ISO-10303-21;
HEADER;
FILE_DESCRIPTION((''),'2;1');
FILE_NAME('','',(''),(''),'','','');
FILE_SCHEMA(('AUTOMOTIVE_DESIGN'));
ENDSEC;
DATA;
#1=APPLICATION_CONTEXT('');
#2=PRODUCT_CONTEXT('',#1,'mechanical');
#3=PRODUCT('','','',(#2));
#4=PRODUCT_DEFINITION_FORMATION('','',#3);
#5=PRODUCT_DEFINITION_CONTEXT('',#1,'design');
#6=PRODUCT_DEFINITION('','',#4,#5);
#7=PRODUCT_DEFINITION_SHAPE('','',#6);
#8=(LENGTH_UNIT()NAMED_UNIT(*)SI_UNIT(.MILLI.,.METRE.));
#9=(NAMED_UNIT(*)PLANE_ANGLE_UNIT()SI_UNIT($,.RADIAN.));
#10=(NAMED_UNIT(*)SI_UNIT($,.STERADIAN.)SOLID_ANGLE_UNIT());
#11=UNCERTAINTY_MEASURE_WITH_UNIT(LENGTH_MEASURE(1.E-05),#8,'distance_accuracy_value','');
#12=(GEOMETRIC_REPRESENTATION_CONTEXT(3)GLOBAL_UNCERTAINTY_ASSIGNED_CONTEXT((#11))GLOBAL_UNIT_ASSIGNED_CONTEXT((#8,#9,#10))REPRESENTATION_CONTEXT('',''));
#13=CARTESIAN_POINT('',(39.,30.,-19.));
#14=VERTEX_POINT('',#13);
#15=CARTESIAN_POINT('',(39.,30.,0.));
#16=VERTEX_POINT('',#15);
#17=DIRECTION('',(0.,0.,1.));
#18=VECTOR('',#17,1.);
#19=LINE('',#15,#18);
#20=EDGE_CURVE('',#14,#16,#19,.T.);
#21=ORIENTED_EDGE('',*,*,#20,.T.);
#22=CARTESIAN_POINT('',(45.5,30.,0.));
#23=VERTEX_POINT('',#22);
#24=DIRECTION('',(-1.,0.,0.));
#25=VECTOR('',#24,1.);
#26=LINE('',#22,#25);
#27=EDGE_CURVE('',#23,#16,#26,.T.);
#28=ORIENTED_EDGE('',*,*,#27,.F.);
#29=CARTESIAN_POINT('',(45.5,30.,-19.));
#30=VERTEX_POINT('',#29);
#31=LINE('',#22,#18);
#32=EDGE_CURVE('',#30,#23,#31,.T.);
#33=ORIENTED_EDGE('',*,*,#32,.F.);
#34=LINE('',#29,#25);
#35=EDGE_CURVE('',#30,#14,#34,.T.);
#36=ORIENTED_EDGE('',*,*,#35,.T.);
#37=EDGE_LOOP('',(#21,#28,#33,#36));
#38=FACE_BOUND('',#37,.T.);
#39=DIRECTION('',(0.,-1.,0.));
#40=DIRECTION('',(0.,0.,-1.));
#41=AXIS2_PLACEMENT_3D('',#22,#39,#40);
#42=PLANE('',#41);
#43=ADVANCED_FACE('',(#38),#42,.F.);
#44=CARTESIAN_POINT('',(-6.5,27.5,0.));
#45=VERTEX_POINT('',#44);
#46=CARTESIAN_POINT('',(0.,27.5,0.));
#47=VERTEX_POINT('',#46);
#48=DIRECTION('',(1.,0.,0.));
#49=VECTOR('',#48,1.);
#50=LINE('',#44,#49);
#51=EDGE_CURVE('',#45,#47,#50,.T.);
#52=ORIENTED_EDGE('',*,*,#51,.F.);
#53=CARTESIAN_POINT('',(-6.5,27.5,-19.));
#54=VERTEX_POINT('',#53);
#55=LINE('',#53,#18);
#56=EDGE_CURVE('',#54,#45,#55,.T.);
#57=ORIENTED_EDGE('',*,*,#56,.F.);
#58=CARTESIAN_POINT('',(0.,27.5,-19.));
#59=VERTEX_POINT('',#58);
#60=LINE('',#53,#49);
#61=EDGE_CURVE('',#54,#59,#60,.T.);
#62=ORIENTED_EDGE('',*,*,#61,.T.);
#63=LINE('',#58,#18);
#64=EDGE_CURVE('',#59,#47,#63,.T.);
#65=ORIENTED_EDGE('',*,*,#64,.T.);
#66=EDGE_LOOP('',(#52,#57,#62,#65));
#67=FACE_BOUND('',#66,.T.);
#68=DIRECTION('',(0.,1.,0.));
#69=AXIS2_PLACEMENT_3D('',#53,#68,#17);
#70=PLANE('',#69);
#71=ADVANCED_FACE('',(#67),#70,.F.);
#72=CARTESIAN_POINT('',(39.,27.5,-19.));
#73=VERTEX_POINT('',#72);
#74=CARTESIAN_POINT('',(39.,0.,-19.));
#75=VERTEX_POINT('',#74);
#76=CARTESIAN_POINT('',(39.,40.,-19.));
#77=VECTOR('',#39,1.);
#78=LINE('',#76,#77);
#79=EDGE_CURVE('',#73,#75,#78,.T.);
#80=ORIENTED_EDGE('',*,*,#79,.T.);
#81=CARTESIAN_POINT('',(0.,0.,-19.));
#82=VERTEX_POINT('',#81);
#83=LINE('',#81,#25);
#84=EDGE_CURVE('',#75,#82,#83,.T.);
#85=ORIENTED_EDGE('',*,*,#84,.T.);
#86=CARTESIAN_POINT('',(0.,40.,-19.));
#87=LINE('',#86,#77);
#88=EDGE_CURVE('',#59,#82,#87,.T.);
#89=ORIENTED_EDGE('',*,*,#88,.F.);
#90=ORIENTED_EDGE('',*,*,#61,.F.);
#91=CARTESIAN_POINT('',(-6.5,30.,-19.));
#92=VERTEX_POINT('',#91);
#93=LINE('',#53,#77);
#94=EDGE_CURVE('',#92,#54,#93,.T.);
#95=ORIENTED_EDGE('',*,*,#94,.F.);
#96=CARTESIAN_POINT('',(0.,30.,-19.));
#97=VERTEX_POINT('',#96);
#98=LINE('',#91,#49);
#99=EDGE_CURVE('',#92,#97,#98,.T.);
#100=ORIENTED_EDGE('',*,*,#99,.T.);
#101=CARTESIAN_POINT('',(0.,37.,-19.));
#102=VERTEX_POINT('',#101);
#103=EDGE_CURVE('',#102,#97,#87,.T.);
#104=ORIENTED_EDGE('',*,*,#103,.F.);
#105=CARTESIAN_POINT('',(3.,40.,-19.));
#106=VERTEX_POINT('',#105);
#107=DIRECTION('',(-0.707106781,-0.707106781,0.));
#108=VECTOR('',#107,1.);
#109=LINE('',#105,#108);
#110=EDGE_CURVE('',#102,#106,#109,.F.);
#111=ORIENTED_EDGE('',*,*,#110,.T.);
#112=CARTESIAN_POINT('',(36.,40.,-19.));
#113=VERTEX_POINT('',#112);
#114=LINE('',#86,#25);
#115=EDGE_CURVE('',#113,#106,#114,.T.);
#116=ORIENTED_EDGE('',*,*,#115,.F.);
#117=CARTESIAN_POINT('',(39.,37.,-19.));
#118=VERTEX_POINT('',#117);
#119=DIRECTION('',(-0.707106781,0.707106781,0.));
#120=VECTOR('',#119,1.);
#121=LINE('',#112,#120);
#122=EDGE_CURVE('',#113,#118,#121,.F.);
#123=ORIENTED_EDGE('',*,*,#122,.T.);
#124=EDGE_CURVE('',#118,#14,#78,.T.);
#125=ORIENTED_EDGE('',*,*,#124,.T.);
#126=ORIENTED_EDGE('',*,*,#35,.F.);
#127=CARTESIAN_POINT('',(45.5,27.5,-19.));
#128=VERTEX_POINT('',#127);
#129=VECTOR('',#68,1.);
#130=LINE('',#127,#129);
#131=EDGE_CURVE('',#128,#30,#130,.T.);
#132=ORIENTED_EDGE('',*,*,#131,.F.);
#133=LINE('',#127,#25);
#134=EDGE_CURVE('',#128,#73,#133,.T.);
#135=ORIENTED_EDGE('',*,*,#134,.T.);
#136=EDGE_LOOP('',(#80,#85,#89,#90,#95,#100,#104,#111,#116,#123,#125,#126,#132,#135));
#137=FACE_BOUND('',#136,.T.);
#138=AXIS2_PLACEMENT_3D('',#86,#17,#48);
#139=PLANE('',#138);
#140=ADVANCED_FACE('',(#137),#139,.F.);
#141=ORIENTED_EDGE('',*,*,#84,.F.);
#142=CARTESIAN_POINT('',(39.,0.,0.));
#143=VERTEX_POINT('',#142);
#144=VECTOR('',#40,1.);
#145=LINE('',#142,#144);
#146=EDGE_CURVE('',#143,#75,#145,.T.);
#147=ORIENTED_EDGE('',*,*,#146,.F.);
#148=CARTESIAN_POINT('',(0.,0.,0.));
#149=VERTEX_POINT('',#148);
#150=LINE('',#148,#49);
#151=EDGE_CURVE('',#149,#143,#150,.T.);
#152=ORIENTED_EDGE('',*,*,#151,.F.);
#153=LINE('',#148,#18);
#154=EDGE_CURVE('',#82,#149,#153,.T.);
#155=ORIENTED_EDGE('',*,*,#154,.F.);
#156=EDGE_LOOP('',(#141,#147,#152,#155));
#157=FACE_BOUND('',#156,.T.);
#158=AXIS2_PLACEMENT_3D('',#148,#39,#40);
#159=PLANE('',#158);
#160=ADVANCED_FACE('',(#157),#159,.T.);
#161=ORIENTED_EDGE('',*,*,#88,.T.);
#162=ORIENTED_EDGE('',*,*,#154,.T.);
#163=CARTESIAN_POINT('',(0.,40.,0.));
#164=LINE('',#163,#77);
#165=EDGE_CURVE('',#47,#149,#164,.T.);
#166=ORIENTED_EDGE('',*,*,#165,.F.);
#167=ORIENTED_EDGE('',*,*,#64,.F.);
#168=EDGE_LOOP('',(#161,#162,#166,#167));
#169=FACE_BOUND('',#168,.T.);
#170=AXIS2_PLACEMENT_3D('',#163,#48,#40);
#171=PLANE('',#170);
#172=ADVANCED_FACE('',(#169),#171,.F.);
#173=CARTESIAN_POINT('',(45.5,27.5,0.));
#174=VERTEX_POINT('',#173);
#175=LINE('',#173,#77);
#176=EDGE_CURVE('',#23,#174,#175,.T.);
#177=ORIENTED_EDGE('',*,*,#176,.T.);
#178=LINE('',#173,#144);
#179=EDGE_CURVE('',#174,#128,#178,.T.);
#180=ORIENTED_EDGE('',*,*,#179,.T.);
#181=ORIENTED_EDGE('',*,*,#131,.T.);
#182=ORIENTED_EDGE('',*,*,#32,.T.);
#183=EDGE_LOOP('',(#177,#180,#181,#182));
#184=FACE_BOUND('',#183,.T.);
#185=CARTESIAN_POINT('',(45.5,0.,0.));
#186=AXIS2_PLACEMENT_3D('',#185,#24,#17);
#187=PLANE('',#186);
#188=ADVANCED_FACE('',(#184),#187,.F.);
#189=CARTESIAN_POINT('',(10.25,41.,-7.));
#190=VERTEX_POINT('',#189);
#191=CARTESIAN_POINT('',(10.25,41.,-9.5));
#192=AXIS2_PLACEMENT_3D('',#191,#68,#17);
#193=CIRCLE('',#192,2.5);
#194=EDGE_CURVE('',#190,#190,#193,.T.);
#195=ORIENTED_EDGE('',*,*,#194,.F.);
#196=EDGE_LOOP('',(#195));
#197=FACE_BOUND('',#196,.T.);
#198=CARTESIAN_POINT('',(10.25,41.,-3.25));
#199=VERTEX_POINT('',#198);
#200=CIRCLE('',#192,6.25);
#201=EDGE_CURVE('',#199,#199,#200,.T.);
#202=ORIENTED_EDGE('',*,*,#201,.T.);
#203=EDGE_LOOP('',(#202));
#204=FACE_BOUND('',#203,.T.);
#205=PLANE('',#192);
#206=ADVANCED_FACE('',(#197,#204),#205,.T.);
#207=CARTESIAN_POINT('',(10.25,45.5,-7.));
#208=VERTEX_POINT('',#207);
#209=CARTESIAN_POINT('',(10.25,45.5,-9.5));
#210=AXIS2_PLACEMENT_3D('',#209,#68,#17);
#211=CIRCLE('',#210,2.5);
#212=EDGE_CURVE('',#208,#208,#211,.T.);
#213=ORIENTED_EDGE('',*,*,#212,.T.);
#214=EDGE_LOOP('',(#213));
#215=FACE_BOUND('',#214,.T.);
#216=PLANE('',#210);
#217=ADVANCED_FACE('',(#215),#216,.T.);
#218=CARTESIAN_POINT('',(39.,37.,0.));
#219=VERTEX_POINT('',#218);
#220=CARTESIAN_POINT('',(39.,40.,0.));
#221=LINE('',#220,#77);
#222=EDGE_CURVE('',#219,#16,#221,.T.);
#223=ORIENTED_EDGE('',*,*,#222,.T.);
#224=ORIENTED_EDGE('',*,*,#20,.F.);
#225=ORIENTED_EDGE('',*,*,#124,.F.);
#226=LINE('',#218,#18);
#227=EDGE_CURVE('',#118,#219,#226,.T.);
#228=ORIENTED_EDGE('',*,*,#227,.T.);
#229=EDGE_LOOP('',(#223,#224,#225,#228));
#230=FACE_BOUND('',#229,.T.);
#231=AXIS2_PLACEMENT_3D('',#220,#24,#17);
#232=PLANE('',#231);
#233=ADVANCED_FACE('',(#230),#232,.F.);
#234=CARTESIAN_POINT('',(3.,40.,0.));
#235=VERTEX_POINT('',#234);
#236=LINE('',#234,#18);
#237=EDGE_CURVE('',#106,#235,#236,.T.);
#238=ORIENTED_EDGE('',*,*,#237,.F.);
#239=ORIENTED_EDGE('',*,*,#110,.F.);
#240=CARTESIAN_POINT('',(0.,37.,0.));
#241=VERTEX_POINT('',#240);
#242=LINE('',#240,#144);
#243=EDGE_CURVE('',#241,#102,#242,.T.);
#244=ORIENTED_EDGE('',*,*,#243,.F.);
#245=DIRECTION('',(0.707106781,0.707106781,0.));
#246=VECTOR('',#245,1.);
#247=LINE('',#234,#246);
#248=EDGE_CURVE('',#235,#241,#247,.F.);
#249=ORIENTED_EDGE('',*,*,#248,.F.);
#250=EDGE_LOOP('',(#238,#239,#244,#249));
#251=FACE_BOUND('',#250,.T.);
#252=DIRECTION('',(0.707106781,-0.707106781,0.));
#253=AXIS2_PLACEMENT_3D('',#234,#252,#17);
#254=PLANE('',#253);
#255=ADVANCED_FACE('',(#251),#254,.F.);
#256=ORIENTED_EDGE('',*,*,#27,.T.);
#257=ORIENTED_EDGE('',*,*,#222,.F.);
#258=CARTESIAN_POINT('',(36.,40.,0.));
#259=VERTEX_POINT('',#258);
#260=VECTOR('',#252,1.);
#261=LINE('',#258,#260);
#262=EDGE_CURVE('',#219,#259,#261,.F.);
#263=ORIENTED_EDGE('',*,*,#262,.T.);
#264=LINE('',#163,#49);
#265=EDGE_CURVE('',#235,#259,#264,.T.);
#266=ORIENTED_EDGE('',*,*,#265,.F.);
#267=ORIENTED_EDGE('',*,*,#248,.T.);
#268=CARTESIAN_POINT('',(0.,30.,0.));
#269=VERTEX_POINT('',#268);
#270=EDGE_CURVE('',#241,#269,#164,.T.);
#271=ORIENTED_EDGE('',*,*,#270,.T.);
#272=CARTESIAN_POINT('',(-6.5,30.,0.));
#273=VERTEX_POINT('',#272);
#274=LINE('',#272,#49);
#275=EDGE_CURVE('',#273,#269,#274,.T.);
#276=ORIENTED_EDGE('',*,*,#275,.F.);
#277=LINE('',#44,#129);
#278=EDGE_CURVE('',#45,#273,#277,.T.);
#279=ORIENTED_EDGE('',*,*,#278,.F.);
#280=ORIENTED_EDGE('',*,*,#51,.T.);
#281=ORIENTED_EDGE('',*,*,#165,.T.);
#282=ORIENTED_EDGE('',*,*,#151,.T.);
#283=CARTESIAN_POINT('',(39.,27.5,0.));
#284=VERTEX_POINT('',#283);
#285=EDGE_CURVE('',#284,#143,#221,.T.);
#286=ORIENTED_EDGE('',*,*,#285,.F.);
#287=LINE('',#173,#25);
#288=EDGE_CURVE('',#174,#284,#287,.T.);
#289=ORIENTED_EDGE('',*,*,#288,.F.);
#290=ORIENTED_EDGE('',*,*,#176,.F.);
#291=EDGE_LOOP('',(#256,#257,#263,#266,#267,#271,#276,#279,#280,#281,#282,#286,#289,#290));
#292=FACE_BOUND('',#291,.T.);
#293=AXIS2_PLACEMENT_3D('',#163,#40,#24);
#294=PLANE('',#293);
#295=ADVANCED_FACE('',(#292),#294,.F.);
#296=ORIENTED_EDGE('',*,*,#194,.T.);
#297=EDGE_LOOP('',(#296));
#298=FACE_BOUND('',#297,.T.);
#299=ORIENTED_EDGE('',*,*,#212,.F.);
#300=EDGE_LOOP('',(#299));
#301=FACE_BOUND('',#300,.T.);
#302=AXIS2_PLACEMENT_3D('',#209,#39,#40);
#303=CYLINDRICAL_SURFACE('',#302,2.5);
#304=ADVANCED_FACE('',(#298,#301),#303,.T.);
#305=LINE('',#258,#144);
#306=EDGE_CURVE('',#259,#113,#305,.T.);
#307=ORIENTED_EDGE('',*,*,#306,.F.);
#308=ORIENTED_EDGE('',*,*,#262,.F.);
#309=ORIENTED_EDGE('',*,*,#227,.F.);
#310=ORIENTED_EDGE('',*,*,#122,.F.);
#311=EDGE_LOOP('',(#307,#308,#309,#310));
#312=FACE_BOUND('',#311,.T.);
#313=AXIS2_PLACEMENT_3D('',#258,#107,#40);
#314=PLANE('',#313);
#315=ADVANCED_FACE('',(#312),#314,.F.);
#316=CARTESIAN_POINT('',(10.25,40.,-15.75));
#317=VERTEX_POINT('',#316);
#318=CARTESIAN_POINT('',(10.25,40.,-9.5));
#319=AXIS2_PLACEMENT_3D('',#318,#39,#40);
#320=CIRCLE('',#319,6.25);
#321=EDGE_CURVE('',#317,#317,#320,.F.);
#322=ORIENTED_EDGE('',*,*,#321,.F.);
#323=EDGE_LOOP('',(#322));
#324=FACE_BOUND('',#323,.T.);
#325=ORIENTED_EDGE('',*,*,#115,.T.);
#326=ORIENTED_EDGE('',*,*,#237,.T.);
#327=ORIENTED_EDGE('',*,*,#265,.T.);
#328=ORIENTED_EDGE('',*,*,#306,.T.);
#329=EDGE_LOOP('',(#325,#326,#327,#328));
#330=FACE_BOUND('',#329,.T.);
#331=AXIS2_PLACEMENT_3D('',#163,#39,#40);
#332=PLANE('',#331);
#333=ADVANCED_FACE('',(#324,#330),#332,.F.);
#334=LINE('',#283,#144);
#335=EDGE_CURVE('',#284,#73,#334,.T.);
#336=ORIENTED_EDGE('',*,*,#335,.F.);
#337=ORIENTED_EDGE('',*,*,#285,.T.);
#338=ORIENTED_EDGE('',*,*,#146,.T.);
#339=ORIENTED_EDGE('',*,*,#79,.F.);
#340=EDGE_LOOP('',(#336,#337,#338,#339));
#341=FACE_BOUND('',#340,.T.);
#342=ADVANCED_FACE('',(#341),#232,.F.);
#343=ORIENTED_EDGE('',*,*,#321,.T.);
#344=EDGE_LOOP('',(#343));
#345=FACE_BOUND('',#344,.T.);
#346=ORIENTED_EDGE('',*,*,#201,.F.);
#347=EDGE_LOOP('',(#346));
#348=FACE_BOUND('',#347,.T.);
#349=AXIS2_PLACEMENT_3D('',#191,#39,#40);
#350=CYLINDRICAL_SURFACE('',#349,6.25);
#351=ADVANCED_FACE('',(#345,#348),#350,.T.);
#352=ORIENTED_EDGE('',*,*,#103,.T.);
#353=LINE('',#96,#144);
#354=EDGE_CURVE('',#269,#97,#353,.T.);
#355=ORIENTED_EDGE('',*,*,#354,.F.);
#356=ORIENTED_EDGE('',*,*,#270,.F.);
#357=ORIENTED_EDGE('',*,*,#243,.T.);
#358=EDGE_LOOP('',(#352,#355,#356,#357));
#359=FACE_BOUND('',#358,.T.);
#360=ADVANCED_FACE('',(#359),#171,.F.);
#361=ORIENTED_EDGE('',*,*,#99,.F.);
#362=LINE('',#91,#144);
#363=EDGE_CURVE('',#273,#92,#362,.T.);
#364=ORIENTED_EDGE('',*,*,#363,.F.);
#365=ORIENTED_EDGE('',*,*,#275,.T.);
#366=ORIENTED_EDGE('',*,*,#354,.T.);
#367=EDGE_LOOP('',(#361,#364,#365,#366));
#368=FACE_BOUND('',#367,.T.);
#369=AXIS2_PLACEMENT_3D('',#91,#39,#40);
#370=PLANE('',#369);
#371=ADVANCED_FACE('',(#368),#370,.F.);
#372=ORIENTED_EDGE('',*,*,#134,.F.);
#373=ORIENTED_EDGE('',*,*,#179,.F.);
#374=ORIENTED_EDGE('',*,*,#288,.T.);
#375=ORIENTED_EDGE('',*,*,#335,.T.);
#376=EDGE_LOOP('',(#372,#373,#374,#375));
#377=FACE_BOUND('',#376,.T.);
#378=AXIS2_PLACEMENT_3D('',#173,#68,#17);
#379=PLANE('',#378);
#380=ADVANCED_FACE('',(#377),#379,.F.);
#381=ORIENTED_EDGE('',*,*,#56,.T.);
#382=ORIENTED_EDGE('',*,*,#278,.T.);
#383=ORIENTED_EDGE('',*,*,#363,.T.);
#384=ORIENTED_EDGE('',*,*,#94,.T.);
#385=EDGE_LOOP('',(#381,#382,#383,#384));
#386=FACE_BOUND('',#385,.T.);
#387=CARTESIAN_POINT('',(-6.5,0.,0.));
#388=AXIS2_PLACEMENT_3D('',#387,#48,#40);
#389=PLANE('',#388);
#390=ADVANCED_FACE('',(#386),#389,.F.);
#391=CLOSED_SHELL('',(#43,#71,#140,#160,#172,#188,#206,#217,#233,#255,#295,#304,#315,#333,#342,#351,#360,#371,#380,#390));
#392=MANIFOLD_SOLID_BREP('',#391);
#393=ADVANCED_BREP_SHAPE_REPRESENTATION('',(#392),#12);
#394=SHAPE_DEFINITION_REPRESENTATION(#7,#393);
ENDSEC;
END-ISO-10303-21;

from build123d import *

# Parameters (mm, degrees)
SKETCH1_W           = 39
SKETCH1_H           = 19
BOSS_EXTRUDE1_DEPTH = 40
SKETCH2_W           = 19
SKETCH2_H           = 2.5
BOSS_EXTRUDE2_DEPTH = 6.5
SKETCH3_W           = 19
SKETCH3_H           = 2.5
BOSS_EXTRUDE3_DEPTH = 6.5
SKETCH4_R           = 6.25
BOSS_EXTRUDE4_DEPTH = 1
SKETCH5_R           = 2.5
BOSS_EXTRUDE5_DEPTH = 4.5
CHAMFER1_SIZE       = 3
CHAMFER2_SIZE       = 3


with BuildPart() as part:
    # Sketch1 → Boss-Extrude1 (new body)
    with BuildSketch(Plane(origin=(0, 0, 0), x_dir=(1, 0, 0), z_dir=(0, 1, 0))):
        with Locations((19.5, 9.5)):
            Rectangle(SKETCH1_W, SKETCH1_H)
    extrude(amount=BOSS_EXTRUDE1_DEPTH)

    # Sketch2 → Boss-Extrude2 (add)
    with BuildSketch(Plane(origin=(39, 0, 0), x_dir=(0, 0, -1), z_dir=(1, 0, 0))):
        with Locations((9.5, 28.75)):
            Rectangle(SKETCH2_W, SKETCH2_H)
    extrude(amount=BOSS_EXTRUDE2_DEPTH)

    # Sketch3 → Boss-Extrude3 (add)
    with BuildSketch(Plane.ZY):
        with Locations((-9.5, 28.75)):
            Rectangle(SKETCH3_W, SKETCH3_H)
    extrude(amount=BOSS_EXTRUDE3_DEPTH)

    # Sketch4 → Boss-Extrude4 (add)
    with BuildSketch(Plane(origin=(0, 40, 0), x_dir=(1, 0, 0), z_dir=(0, 1, 0))):
        with Locations(Location((10.25, 9.5, 0), (0, 0, 90))):
            Circle(SKETCH4_R)
    extrude(amount=BOSS_EXTRUDE4_DEPTH)

    # Sketch5 → Boss-Extrude5 (add)
    with BuildSketch(Plane(origin=(0, 41, 0), x_dir=(1, 0, 0), z_dir=(0, 1, 0))):
        with Locations(Location((10.25, 9.5, 0), (0, 0, 270))):
            Circle(SKETCH5_R)
    extrude(amount=BOSS_EXTRUDE5_DEPTH)

    # Chamfer1
    chamfer1_edges = [part.edges().sort_by_distance(p)[0] for p in [
        (0, 40, -9.5),
    ]]
    chamfer(chamfer1_edges, length=CHAMFER1_SIZE)

    # Chamfer2
    chamfer2_edges = [part.edges().sort_by_distance(p)[0] for p in [
        (39, 40, -9.5),
    ]]
    chamfer(chamfer2_edges, length=CHAMFER2_SIZE)


solid = part.part
